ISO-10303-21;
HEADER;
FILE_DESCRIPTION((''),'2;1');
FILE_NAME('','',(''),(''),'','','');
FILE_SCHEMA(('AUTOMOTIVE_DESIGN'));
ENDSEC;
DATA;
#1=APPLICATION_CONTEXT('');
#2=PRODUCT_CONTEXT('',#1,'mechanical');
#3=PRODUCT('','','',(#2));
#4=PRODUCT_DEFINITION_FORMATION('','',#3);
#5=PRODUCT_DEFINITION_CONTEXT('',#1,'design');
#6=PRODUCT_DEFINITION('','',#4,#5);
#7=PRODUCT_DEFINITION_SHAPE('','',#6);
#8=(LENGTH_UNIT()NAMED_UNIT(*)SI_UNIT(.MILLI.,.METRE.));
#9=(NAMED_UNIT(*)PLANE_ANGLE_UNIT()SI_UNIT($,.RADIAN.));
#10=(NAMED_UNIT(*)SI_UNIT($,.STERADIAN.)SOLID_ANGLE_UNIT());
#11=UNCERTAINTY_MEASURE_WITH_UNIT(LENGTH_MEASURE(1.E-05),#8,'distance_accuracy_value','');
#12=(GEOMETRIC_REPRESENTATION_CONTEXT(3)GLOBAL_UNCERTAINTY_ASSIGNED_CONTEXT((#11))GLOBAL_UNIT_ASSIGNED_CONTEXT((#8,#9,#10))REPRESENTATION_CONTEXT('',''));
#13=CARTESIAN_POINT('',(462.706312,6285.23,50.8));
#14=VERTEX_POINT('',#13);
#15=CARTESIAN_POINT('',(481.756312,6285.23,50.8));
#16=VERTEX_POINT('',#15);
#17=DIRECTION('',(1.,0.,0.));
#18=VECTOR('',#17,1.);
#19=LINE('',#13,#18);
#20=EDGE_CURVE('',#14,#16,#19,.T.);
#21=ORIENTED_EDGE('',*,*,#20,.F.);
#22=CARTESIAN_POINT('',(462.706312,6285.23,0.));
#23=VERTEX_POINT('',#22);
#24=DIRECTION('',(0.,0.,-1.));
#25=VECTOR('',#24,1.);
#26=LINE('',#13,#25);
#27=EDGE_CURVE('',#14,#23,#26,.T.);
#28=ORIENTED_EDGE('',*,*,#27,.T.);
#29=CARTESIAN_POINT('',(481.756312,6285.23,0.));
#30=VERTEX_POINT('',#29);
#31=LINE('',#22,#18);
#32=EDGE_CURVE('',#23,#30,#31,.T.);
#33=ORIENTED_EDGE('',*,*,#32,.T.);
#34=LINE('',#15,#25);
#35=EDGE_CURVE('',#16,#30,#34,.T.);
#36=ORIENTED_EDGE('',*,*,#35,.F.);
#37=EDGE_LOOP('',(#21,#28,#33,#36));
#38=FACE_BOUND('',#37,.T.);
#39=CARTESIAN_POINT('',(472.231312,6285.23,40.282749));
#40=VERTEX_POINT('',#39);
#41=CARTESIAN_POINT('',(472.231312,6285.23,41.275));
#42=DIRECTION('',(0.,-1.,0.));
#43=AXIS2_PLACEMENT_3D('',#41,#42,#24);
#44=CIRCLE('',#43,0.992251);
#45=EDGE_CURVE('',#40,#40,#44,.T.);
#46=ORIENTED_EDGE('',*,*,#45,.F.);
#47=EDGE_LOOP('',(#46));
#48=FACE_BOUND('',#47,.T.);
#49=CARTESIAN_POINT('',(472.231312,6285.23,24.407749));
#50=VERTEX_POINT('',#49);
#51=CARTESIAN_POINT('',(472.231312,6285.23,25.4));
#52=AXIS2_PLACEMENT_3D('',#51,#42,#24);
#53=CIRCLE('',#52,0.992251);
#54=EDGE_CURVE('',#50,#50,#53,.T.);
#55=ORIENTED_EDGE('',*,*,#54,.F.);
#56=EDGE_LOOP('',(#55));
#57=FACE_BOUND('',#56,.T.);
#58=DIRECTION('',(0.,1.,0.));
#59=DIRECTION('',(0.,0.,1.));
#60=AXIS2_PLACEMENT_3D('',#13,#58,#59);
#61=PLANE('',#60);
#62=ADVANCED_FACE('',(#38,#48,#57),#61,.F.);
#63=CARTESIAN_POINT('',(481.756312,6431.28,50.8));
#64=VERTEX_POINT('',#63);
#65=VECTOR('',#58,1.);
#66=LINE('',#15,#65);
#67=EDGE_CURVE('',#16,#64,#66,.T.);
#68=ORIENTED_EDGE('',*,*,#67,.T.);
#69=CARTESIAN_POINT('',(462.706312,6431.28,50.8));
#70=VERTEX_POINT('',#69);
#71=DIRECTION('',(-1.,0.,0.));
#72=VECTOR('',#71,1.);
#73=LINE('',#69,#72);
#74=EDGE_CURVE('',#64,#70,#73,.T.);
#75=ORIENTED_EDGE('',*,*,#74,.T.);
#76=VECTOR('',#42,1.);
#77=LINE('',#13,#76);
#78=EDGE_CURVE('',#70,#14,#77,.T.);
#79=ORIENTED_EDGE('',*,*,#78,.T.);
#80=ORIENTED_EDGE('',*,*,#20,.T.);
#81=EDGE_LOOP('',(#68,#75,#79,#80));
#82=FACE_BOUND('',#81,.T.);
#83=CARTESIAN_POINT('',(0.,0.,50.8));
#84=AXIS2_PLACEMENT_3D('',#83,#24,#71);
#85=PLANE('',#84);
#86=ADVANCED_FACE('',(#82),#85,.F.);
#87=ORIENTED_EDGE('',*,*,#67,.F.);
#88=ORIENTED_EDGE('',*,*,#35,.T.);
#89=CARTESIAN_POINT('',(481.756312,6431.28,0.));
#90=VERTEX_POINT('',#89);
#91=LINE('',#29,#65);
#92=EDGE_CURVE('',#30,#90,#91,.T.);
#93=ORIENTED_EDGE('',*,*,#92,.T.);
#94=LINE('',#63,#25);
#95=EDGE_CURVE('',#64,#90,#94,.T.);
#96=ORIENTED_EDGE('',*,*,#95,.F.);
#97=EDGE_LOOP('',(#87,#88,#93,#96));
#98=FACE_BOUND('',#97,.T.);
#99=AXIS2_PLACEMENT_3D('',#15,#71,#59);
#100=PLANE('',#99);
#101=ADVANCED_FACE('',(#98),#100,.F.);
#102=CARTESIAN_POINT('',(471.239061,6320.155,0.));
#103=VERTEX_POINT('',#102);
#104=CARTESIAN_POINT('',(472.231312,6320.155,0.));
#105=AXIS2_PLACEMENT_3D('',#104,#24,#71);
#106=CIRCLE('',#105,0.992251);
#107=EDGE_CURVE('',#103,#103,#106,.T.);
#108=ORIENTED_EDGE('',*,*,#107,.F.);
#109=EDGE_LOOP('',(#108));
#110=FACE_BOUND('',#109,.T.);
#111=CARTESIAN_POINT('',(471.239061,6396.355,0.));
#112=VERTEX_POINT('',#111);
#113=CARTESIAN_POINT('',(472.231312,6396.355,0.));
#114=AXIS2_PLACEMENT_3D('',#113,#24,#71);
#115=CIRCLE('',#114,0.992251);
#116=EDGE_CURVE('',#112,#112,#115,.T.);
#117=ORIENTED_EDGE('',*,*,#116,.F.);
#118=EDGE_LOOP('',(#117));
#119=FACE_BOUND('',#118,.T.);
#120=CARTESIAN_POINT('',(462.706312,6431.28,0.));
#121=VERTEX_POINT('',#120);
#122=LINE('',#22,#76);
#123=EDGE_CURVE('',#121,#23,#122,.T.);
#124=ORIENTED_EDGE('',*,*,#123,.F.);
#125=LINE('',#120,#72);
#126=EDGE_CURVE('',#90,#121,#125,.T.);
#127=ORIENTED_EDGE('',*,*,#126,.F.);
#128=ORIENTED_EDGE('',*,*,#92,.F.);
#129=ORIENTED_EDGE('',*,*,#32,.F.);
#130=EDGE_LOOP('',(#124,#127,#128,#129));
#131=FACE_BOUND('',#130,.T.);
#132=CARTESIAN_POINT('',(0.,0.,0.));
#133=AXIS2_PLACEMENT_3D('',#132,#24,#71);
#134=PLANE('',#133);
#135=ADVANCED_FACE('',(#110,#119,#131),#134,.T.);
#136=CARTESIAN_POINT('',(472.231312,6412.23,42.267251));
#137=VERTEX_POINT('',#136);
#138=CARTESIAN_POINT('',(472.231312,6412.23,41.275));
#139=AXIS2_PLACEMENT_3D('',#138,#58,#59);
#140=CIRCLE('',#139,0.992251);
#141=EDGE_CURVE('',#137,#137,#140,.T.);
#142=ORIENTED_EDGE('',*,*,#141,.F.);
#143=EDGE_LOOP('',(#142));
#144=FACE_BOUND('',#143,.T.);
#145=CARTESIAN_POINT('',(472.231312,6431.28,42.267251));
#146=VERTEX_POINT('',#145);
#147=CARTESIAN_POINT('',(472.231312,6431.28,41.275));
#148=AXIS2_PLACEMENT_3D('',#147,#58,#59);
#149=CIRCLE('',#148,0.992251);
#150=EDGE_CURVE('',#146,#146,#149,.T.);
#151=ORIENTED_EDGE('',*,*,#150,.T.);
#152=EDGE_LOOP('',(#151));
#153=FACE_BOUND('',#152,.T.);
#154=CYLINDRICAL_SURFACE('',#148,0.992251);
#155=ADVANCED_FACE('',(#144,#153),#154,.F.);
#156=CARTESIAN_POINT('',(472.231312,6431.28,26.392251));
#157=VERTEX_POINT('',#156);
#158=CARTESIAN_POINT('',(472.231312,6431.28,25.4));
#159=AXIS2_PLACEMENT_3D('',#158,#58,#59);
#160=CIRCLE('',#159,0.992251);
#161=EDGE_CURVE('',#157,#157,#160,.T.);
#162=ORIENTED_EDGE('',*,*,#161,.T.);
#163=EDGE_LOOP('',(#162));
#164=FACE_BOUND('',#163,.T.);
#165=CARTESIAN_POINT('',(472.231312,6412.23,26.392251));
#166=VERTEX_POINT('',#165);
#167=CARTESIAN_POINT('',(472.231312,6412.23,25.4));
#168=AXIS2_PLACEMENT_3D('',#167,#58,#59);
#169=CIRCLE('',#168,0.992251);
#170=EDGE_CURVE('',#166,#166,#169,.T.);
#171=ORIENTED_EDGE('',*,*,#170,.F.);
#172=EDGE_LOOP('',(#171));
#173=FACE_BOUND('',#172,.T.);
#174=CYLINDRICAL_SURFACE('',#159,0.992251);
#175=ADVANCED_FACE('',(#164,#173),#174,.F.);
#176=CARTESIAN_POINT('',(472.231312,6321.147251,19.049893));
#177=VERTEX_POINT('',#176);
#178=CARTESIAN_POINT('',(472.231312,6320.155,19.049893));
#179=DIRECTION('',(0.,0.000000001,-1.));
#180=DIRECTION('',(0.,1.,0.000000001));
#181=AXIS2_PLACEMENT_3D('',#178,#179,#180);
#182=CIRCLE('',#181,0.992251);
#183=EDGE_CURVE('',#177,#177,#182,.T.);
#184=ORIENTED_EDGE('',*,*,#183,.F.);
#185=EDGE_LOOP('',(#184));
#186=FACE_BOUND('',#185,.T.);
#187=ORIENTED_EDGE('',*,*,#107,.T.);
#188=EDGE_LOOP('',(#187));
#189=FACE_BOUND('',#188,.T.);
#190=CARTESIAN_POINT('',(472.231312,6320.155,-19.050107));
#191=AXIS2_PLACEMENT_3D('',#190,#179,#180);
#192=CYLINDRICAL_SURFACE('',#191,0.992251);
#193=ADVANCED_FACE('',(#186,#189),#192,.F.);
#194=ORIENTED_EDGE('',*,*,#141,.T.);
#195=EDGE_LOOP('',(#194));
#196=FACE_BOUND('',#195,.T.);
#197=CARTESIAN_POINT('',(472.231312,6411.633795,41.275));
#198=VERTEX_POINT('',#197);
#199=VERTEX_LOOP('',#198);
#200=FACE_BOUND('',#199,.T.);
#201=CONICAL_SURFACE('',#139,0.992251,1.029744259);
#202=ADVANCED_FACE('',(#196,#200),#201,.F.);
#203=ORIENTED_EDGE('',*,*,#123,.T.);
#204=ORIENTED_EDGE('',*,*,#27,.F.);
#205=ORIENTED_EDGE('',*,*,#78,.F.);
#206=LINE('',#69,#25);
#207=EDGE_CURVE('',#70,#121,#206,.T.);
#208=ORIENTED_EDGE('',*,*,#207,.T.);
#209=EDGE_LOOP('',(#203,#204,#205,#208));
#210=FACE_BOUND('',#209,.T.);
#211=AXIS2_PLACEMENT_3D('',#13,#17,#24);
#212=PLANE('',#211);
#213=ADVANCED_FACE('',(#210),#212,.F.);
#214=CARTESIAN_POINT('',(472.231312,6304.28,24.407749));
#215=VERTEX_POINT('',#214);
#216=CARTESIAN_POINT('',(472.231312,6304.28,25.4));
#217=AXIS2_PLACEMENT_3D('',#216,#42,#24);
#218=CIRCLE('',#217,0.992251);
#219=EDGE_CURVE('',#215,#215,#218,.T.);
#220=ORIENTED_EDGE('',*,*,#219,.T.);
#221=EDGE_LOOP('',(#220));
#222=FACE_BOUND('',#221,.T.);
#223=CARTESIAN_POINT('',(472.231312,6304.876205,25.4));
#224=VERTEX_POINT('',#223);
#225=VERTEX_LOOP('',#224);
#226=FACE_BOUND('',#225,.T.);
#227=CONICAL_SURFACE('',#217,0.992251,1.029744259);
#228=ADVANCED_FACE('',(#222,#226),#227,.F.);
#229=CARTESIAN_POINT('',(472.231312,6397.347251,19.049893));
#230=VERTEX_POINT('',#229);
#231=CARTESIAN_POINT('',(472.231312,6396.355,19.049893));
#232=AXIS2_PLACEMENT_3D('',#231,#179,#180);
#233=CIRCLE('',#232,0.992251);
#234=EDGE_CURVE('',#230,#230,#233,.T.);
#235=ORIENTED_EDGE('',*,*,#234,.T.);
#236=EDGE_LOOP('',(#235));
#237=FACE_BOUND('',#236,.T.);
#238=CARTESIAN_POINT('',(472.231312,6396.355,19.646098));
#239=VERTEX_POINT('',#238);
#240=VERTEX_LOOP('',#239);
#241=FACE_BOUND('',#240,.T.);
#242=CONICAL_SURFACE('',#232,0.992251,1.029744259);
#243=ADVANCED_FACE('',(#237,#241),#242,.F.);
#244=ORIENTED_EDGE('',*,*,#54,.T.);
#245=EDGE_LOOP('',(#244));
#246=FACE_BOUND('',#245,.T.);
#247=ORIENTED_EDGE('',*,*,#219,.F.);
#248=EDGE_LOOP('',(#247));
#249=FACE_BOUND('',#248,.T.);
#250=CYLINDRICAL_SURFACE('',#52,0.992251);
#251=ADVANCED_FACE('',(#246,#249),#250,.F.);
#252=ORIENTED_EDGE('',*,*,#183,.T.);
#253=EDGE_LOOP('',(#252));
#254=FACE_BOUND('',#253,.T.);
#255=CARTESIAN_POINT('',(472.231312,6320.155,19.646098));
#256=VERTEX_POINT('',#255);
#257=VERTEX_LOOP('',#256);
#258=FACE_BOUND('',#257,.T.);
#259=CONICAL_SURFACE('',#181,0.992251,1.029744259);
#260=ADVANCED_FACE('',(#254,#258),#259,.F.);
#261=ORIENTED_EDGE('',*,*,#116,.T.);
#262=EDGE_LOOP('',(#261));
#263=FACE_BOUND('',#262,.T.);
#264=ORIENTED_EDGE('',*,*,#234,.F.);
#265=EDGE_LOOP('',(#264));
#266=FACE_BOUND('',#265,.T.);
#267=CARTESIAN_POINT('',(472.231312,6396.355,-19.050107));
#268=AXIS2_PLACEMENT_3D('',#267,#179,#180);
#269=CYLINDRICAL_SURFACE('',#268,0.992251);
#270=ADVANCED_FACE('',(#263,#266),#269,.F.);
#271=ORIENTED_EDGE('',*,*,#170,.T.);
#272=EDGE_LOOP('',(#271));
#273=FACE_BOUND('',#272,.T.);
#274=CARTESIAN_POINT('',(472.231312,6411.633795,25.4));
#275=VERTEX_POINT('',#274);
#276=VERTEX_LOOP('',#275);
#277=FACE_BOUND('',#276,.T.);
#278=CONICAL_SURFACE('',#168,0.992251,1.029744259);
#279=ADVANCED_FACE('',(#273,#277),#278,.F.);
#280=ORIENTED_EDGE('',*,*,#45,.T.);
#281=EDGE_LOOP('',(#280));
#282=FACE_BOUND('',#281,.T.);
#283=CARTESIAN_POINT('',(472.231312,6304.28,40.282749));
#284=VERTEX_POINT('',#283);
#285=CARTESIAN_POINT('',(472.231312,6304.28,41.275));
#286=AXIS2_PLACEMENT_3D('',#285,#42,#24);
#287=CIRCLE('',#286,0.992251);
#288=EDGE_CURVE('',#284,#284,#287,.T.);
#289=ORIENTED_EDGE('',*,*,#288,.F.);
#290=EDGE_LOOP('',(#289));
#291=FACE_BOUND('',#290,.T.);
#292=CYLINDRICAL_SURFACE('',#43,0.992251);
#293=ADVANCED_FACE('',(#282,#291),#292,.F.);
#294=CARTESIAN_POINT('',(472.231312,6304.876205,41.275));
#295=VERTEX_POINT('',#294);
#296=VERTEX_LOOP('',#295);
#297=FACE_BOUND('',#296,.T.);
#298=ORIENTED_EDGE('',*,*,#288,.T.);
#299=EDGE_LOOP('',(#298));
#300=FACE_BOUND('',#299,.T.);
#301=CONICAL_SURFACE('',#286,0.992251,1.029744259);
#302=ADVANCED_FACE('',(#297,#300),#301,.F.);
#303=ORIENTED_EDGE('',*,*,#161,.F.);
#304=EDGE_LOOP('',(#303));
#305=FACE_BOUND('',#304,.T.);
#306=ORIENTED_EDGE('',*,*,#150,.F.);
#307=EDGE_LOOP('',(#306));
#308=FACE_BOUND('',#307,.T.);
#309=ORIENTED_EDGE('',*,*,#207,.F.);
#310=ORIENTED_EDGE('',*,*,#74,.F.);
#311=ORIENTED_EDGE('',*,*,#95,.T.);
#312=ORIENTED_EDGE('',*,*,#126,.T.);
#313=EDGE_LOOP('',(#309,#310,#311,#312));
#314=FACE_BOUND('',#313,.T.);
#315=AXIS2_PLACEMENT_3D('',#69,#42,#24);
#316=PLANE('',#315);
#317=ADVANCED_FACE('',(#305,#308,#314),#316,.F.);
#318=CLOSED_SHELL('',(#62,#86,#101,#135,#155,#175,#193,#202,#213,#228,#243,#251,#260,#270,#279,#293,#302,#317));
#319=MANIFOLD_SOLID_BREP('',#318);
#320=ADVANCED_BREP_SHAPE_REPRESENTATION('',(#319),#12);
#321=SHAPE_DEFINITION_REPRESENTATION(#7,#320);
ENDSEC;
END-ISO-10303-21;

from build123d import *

# Parameters (mm, degrees)
SKETCH1_W                           = 19.05
SKETCH1_H                           = 146.05
BOSS_EXTRUDE1_DEPTH                 = 50.8
F_5_64_0_07813_DIAMETER_HOLE1_D     = 1.984502
F_5_64_0_07813_DIAMETER_HOLE1_DEPTH = 38.1
F_5_64_0_07813_DIAMETER_HOLE1_TIP   = 0.59620455
F_5_64_0_07813_DIAMETER_HOLE2_D     = 1.984502
F_5_64_0_07813_DIAMETER_HOLE2_DEPTH = 38.1
F_5_64_0_07813_DIAMETER_HOLE2_TIP   = 0.59620455
F_5_64_0_07813_DIAMETER_HOLE3_D     = 1.984502
F_5_64_0_07813_DIAMETER_HOLE3_DEPTH = 19.05
F_5_64_0_07813_DIAMETER_HOLE3_TIP   = 0.59620455
F_5_64_0_07813_DIAMETER_HOLE4_D     = 1.984502
F_5_64_0_07813_DIAMETER_HOLE4_DEPTH = 19.05
F_5_64_0_07813_DIAMETER_HOLE4_TIP   = 0.59620455


with BuildPart() as part:
    # Sketch1 → Boss-Extrude1 (new body)
    with BuildSketch(Plane.XY):
        with Locations((472.231312422, 6358.255)):
            Rectangle(SKETCH1_W, SKETCH1_H)
    extrude(amount=BOSS_EXTRUDE1_DEPTH)

    # 5/64 (0.07813) Diameter Hole1
    with Locations(Plane(origin=(0, 1.6e-08, -19.050112211), x_dir=(-1, 0, 0), z_dir=(0, 1e-09, -1))):
        with Locations((-481.589248274, 6993.254992531), (-386.339248274, 6993.254992531), (-291.089248274, 6993.254992531), (-295.274999999, 6965.135938475), (-295.274999999, 6812.735938475), (-295.274999999, 6660.335938474), (-285.166362357, 6631.468843414), (-475.477307398, 6631.468752771), (-485.002307398, 6660.335938474), (-485.002307398, 6812.735938474), (-485.002307398, 6965.135938474), (-478.365617646, 6611.6708), (-287.865617646, 6611.6708), (-307.975, 6564.3379), (-307.975, 6488.1379), (-284.960913066, 6440.805), (-380.210913066, 6440.805), (-475.460913066, 6440.805), (-446.831312422, 6488.1379), (-446.831312422, 6564.3379), (-472.231312422, 6396.355), (-472.231312422, 6320.155), (-472.653156211, 6275.705000839), (-377.403156211, 6275.705000839), (-282.153156211, 6275.705000839), (-282.575, 6320.155), (-282.575, 6396.355), (-435.598646187, 6221.729999816), (-435.598646187, 6145.529999816), (-450.592518112, 6091.554999951), (-460.998646187, 6091.555478285), (-460.998646187, 6056.629999944), (-460.998646187, 5980.429999944), (-460.998646187, 5945.505000042), (-282.153156211, 5945.505000042), (-368.611823093, 5945.505000042)):
            Hole(F_5_64_0_07813_DIAMETER_HOLE1_D / 2, depth=F_5_64_0_07813_DIAMETER_HOLE1_DEPTH)
            with Locations((0, 0, -(F_5_64_0_07813_DIAMETER_HOLE1_DEPTH + F_5_64_0_07813_DIAMETER_HOLE1_TIP / 2))):  # 118° drill point
                Cone(0, F_5_64_0_07813_DIAMETER_HOLE1_D / 2, F_5_64_0_07813_DIAMETER_HOLE1_TIP, mode=Mode.SUBTRACT)

    # 5/64 (0.07813) Diameter Hole2
    with Locations(Plane(origin=(189.656312422, 1.6e-08, -19.050112211), x_dir=(-1, 0, 0), z_dir=(0, 1e-09, -1))):
        with Locations((-481.589248274, 6993.254992531), (-386.339248274, 6993.254992531), (-291.089248274, 6993.254992531), (-295.274999999, 6965.135938475), (-295.274999999, 6812.735938475), (-295.274999999, 6660.335938474), (-285.166362357, 6631.468843414), (-475.477307398, 6631.468752771), (-485.002307398, 6660.335938474), (-485.002307398, 6812.735938474), (-485.002307398, 6965.135938474), (-478.365617646, 6611.6708), (-287.865617646, 6611.6708), (-307.975, 6564.3379), (-307.975, 6488.1379), (-284.960913066, 6440.805), (-380.210913066, 6440.805), (-475.460913066, 6440.805), (-446.831312422, 6488.1379), (-446.831312422, 6564.3379), (-472.231312422, 6396.355), (-472.231312422, 6320.155), (-472.653156211, 6275.705000839), (-377.403156211, 6275.705000839), (-282.153156211, 6275.705000839), (-282.575, 6320.155), (-282.575, 6396.355), (-435.598646187, 6221.729999816), (-435.598646187, 6145.529999816), (-450.592518112, 6091.554999951), (-460.998646187, 6091.555478285), (-460.998646187, 6056.629999944), (-460.998646187, 5980.429999944), (-460.998646187, 5945.505000042), (-282.153156211, 5945.505000042), (-368.611823093, 5945.505000042)):
            Hole(F_5_64_0_07813_DIAMETER_HOLE2_D / 2, depth=F_5_64_0_07813_DIAMETER_HOLE2_DEPTH)
            with Locations((0, 0, -(F_5_64_0_07813_DIAMETER_HOLE2_DEPTH + F_5_64_0_07813_DIAMETER_HOLE2_TIP / 2))):  # 118° drill point
                Cone(0, F_5_64_0_07813_DIAMETER_HOLE2_D / 2, F_5_64_0_07813_DIAMETER_HOLE2_TIP, mode=Mode.SUBTRACT)

    # 5/64 (0.07813) Diameter Hole3
    with Locations(Plane(origin=(0, 6431.28, 0), x_dir=(1, 0, 0), z_dir=(0, 1, 0))):
        with Locations((472.231312422, -41.275), (472.231312422, -25.4)):
            Hole(F_5_64_0_07813_DIAMETER_HOLE3_D / 2, depth=F_5_64_0_07813_DIAMETER_HOLE3_DEPTH)
            with Locations((0, 0, -(F_5_64_0_07813_DIAMETER_HOLE3_DEPTH + F_5_64_0_07813_DIAMETER_HOLE3_TIP / 2))):  # 118° drill point
                Cone(0, F_5_64_0_07813_DIAMETER_HOLE3_D / 2, F_5_64_0_07813_DIAMETER_HOLE3_TIP, mode=Mode.SUBTRACT)

    # 5/64 (0.07813) Diameter Hole4
    with Locations(Plane(origin=(0, 6285.23, 0), x_dir=(-1, 0, 0), z_dir=(0, -1, 0))):
        with Locations((-472.231312422, -25.4), (-472.231312422, -41.275)):
            Hole(F_5_64_0_07813_DIAMETER_HOLE4_D / 2, depth=F_5_64_0_07813_DIAMETER_HOLE4_DEPTH)
            with Locations((0, 0, -(F_5_64_0_07813_DIAMETER_HOLE4_DEPTH + F_5_64_0_07813_DIAMETER_HOLE4_TIP / 2))):  # 118° drill point
                Cone(0, F_5_64_0_07813_DIAMETER_HOLE4_D / 2, F_5_64_0_07813_DIAMETER_HOLE4_TIP, mode=Mode.SUBTRACT)


solid = part.part
